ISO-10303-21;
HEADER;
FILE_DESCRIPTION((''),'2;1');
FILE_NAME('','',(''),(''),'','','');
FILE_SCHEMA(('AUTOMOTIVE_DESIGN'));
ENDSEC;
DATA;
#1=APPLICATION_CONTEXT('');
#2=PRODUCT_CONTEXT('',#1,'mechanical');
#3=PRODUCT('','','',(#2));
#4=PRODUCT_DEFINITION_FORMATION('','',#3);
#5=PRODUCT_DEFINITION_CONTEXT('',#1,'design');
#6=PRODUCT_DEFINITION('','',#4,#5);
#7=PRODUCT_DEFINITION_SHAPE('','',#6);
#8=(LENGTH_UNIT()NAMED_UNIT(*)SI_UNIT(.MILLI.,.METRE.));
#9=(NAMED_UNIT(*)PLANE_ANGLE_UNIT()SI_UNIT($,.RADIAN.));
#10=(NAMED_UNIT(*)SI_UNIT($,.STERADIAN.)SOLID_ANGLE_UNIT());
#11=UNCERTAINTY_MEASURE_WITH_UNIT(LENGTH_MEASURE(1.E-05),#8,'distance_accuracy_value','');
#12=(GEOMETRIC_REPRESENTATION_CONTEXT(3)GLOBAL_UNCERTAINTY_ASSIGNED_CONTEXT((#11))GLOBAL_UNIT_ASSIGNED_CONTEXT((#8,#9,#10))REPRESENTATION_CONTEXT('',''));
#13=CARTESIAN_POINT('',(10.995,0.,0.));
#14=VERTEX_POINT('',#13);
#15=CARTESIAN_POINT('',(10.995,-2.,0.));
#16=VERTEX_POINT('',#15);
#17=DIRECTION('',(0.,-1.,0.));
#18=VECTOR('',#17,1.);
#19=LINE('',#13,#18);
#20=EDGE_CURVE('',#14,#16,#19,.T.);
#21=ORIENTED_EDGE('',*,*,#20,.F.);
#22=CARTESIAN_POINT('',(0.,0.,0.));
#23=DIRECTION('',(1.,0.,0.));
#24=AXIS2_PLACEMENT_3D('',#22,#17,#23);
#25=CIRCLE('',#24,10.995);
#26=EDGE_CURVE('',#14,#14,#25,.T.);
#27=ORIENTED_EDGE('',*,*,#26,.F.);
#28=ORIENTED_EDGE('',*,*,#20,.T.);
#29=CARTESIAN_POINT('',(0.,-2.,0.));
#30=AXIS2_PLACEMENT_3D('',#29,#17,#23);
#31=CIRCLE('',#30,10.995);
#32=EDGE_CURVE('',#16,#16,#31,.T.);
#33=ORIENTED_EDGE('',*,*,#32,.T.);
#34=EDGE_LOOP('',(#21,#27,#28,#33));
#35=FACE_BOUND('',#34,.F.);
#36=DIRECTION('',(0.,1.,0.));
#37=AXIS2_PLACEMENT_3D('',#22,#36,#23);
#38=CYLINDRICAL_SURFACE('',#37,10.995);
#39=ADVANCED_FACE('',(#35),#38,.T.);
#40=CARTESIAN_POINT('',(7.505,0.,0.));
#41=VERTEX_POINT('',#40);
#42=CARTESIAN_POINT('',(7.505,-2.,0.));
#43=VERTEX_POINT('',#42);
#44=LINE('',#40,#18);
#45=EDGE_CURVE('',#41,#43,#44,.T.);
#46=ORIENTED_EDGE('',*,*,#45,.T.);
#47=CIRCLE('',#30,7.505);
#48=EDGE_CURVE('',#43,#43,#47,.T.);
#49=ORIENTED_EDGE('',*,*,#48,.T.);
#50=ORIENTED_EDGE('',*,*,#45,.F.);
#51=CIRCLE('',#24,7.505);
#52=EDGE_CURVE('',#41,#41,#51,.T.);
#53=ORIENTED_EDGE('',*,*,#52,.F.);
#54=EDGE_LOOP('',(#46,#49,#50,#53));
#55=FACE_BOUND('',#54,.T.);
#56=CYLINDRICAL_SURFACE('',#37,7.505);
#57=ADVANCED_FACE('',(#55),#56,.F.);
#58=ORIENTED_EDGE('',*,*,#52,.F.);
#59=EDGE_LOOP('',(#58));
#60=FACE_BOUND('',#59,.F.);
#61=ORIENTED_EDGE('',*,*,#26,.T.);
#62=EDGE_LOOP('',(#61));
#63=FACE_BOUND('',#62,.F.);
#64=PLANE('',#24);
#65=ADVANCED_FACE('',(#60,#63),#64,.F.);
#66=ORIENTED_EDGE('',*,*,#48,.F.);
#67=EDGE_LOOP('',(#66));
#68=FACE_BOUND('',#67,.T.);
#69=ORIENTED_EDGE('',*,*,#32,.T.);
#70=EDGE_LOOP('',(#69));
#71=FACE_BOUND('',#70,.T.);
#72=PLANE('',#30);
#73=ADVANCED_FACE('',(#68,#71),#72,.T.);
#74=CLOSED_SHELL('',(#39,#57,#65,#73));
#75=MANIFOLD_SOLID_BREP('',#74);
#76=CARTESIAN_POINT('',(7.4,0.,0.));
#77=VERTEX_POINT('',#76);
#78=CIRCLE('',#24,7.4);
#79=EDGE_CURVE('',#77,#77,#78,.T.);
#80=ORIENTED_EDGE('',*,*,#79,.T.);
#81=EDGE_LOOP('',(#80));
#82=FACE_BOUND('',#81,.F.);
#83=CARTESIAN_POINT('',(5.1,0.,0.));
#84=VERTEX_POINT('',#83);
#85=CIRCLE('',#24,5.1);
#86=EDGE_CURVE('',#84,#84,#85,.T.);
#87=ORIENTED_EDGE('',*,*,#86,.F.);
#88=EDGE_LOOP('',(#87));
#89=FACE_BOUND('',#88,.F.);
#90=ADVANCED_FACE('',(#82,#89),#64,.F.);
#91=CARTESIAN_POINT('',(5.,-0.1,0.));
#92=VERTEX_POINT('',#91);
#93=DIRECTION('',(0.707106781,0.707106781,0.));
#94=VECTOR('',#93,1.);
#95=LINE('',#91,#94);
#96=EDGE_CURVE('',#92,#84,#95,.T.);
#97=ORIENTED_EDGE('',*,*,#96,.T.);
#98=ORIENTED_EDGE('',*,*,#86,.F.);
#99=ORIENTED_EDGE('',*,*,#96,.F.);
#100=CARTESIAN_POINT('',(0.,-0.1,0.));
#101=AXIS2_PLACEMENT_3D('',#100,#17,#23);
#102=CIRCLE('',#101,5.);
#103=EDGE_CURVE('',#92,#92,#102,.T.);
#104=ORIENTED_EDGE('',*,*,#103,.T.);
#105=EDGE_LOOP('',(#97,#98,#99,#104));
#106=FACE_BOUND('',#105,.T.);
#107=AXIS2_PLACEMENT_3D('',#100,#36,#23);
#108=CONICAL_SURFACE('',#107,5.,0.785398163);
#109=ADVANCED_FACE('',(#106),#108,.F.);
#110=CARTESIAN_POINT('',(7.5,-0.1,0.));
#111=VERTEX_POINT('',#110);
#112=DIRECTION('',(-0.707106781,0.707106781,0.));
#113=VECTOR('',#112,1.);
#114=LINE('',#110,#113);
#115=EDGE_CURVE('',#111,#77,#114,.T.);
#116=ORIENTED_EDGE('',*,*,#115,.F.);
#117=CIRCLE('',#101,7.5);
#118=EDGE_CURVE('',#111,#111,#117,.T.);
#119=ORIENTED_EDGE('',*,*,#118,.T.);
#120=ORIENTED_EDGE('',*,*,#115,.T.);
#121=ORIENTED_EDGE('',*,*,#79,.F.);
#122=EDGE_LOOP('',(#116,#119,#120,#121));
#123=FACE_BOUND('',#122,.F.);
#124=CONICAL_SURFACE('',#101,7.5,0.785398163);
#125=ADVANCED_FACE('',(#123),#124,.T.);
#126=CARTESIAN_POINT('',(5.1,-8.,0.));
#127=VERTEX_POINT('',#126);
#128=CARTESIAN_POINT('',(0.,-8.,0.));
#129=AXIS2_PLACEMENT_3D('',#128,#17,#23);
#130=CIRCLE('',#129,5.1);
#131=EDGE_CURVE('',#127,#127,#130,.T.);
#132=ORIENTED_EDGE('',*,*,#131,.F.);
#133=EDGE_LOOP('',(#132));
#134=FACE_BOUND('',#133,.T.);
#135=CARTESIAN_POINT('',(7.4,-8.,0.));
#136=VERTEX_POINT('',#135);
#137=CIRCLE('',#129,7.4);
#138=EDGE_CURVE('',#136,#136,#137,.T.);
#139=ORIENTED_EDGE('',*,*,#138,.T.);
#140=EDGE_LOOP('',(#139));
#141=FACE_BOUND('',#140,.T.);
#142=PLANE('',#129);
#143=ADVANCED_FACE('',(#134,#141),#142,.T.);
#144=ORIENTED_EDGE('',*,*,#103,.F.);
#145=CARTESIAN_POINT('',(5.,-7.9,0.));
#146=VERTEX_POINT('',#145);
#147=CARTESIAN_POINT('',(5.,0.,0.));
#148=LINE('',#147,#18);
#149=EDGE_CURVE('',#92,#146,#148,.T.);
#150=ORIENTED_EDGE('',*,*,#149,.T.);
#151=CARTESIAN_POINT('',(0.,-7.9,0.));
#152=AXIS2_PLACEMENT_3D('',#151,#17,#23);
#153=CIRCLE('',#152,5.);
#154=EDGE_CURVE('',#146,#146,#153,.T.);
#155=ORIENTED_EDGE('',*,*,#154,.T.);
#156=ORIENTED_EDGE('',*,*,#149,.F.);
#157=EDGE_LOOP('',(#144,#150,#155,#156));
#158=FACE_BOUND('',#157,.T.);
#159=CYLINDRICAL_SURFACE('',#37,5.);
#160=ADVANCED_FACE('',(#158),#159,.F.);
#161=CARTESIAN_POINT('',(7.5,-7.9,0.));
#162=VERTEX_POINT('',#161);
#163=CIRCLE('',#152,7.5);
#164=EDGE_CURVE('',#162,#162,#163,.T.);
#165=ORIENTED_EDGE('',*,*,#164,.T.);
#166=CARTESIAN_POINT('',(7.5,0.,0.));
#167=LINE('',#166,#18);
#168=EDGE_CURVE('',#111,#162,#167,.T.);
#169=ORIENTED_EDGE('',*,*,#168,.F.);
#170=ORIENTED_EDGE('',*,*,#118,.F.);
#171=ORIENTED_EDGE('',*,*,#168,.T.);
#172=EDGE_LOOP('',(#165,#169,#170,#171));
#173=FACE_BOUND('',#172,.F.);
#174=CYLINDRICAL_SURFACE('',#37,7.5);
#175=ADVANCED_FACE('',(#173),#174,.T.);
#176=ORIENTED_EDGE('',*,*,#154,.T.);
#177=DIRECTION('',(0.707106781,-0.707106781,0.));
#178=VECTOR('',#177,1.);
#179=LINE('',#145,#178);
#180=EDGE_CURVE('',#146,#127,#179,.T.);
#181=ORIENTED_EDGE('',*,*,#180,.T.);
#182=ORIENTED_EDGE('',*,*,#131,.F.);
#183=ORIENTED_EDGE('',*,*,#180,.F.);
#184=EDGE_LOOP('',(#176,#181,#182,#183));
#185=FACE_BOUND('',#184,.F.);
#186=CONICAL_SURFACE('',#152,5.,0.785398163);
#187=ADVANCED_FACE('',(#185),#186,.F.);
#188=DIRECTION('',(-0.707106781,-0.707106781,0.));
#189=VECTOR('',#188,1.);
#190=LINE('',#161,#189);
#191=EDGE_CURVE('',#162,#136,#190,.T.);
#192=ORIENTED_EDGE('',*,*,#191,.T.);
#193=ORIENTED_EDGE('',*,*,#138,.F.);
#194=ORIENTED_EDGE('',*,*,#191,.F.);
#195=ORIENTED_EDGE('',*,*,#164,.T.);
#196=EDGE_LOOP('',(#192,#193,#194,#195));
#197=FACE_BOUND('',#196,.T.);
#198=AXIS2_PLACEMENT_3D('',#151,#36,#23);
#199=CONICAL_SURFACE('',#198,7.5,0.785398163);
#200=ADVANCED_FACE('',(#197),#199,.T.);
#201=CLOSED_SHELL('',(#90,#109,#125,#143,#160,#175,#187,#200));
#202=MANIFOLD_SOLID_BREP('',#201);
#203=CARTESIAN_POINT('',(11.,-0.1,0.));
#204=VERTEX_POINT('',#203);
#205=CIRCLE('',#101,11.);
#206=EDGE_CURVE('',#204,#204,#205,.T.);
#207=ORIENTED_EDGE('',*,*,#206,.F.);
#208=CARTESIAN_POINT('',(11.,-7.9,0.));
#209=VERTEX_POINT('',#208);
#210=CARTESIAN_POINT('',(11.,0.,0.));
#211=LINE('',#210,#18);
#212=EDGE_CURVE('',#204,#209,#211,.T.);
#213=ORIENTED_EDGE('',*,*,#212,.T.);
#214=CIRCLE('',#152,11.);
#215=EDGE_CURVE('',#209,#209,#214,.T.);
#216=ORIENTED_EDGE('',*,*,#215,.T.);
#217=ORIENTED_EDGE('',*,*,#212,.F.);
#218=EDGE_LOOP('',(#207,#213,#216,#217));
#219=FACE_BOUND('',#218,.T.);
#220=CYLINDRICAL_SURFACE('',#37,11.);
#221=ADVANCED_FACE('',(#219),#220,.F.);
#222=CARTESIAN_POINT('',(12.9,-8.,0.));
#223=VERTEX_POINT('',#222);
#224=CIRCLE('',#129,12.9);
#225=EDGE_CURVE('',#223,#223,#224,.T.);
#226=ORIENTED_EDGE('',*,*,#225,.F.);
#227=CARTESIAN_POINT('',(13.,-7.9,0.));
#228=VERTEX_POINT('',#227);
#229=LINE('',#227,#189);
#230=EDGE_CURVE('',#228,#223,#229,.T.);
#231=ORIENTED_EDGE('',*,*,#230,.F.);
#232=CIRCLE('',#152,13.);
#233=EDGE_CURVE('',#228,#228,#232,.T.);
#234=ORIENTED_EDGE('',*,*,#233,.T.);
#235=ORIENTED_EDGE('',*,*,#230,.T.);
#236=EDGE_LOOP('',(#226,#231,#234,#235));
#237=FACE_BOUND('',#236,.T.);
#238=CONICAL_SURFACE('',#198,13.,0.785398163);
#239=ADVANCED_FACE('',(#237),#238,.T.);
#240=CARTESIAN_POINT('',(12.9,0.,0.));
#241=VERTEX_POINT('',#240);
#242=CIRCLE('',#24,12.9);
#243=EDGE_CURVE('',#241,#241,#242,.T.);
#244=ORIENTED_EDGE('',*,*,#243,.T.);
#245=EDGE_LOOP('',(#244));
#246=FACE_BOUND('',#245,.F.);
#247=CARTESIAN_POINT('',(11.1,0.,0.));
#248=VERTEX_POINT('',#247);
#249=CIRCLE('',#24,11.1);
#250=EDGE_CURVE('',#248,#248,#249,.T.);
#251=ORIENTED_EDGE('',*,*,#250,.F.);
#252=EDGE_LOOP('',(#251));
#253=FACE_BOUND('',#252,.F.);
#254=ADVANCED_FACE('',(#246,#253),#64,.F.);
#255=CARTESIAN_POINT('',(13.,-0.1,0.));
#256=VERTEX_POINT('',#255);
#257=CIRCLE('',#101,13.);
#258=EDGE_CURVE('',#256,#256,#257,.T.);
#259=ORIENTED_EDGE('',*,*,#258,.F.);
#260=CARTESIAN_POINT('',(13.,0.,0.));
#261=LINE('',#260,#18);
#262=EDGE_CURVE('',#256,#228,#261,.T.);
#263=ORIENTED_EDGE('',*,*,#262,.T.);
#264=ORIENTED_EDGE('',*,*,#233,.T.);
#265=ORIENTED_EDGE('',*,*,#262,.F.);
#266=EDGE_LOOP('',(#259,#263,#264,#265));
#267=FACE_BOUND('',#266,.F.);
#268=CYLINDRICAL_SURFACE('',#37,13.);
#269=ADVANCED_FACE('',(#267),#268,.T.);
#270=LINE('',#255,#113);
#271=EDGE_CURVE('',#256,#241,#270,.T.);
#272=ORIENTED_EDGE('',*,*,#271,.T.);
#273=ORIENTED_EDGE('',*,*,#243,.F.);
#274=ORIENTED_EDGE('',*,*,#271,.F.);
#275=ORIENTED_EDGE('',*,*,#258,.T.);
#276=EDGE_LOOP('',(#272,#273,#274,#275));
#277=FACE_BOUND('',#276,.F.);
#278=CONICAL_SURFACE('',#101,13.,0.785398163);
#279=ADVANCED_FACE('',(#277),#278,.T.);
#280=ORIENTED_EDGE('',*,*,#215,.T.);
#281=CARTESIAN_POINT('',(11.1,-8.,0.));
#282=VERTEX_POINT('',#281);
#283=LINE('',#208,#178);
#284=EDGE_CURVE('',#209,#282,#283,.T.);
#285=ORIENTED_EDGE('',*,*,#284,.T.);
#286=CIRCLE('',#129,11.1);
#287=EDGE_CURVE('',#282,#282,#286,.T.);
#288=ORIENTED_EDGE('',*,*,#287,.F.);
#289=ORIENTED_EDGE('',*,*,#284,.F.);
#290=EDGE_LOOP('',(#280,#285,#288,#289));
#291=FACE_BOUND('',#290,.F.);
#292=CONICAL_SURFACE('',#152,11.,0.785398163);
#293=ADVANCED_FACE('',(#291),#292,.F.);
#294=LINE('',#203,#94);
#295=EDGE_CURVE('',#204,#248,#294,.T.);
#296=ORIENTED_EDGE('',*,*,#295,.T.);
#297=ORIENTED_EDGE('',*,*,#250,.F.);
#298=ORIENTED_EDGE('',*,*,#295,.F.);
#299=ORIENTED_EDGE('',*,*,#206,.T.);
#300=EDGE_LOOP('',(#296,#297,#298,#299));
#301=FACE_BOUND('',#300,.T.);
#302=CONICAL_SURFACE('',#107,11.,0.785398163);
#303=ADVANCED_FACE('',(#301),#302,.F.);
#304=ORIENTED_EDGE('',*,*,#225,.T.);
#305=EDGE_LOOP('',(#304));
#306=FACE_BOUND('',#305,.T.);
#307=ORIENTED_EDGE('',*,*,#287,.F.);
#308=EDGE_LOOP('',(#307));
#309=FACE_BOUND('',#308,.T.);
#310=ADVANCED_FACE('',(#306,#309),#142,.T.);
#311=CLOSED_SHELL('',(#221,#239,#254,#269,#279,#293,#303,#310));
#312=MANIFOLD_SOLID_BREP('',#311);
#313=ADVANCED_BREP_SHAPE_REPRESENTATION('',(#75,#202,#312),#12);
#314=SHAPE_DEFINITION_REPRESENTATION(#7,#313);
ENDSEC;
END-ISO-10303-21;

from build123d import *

# Parameters (mm, degrees)
F0_R      = 13
F0_R_2    = 11
F2_DEPTH  = 8
F1_R      = 7.5
F1_R_2    = 5
F3_DEPTH  = 8
F4_SIZE   = 0.1
F4_2_SIZE = 0.1
F5_R      = 10.995
F5_R_2    = 7.505
F6_DEPTH  = 2


with BuildPart() as f2:
    # F0 (on Front) → F2 (new body)
    with BuildSketch(Plane.XZ):
        Circle(F0_R)
        Circle(F0_R_2, mode=Mode.SUBTRACT)
    extrude(amount=F2_DEPTH)

    # F4
    f4_edges = [f2.edges().sort_by_distance(p)[0] for p in [
        (-13, 0, 0),
        (-11, 0, 0),
        (-13, -8, 0),
        (-11, -8, 0),
    ]]
    chamfer(f4_edges, length=F4_SIZE)


with BuildPart() as f3:
    # F1 (on Front) → F3 (new body)
    with BuildSketch(Plane.XZ):
        Circle(F1_R)
        Circle(F1_R_2, mode=Mode.SUBTRACT)
    extrude(amount=F3_DEPTH)

    # F4#2
    f4_2_edges = [f3.edges().sort_by_distance(p)[0] for p in [
        (-7.5, 0, 0),
        (-5, 0, 0),
        (-7.5, -8, 0),
        (-5, -8, 0),
    ]]
    chamfer(f4_2_edges, length=F4_2_SIZE)


with BuildPart() as f6:
    # F5 (on Front) → F6 (new body)
    with BuildSketch(Plane.XZ):
        Circle(F5_R)
        Circle(F5_R_2, mode=Mode.SUBTRACT)
    extrude(amount=F6_DEPTH)


solid = Compound([f2.part, f3.part, f6.part])
